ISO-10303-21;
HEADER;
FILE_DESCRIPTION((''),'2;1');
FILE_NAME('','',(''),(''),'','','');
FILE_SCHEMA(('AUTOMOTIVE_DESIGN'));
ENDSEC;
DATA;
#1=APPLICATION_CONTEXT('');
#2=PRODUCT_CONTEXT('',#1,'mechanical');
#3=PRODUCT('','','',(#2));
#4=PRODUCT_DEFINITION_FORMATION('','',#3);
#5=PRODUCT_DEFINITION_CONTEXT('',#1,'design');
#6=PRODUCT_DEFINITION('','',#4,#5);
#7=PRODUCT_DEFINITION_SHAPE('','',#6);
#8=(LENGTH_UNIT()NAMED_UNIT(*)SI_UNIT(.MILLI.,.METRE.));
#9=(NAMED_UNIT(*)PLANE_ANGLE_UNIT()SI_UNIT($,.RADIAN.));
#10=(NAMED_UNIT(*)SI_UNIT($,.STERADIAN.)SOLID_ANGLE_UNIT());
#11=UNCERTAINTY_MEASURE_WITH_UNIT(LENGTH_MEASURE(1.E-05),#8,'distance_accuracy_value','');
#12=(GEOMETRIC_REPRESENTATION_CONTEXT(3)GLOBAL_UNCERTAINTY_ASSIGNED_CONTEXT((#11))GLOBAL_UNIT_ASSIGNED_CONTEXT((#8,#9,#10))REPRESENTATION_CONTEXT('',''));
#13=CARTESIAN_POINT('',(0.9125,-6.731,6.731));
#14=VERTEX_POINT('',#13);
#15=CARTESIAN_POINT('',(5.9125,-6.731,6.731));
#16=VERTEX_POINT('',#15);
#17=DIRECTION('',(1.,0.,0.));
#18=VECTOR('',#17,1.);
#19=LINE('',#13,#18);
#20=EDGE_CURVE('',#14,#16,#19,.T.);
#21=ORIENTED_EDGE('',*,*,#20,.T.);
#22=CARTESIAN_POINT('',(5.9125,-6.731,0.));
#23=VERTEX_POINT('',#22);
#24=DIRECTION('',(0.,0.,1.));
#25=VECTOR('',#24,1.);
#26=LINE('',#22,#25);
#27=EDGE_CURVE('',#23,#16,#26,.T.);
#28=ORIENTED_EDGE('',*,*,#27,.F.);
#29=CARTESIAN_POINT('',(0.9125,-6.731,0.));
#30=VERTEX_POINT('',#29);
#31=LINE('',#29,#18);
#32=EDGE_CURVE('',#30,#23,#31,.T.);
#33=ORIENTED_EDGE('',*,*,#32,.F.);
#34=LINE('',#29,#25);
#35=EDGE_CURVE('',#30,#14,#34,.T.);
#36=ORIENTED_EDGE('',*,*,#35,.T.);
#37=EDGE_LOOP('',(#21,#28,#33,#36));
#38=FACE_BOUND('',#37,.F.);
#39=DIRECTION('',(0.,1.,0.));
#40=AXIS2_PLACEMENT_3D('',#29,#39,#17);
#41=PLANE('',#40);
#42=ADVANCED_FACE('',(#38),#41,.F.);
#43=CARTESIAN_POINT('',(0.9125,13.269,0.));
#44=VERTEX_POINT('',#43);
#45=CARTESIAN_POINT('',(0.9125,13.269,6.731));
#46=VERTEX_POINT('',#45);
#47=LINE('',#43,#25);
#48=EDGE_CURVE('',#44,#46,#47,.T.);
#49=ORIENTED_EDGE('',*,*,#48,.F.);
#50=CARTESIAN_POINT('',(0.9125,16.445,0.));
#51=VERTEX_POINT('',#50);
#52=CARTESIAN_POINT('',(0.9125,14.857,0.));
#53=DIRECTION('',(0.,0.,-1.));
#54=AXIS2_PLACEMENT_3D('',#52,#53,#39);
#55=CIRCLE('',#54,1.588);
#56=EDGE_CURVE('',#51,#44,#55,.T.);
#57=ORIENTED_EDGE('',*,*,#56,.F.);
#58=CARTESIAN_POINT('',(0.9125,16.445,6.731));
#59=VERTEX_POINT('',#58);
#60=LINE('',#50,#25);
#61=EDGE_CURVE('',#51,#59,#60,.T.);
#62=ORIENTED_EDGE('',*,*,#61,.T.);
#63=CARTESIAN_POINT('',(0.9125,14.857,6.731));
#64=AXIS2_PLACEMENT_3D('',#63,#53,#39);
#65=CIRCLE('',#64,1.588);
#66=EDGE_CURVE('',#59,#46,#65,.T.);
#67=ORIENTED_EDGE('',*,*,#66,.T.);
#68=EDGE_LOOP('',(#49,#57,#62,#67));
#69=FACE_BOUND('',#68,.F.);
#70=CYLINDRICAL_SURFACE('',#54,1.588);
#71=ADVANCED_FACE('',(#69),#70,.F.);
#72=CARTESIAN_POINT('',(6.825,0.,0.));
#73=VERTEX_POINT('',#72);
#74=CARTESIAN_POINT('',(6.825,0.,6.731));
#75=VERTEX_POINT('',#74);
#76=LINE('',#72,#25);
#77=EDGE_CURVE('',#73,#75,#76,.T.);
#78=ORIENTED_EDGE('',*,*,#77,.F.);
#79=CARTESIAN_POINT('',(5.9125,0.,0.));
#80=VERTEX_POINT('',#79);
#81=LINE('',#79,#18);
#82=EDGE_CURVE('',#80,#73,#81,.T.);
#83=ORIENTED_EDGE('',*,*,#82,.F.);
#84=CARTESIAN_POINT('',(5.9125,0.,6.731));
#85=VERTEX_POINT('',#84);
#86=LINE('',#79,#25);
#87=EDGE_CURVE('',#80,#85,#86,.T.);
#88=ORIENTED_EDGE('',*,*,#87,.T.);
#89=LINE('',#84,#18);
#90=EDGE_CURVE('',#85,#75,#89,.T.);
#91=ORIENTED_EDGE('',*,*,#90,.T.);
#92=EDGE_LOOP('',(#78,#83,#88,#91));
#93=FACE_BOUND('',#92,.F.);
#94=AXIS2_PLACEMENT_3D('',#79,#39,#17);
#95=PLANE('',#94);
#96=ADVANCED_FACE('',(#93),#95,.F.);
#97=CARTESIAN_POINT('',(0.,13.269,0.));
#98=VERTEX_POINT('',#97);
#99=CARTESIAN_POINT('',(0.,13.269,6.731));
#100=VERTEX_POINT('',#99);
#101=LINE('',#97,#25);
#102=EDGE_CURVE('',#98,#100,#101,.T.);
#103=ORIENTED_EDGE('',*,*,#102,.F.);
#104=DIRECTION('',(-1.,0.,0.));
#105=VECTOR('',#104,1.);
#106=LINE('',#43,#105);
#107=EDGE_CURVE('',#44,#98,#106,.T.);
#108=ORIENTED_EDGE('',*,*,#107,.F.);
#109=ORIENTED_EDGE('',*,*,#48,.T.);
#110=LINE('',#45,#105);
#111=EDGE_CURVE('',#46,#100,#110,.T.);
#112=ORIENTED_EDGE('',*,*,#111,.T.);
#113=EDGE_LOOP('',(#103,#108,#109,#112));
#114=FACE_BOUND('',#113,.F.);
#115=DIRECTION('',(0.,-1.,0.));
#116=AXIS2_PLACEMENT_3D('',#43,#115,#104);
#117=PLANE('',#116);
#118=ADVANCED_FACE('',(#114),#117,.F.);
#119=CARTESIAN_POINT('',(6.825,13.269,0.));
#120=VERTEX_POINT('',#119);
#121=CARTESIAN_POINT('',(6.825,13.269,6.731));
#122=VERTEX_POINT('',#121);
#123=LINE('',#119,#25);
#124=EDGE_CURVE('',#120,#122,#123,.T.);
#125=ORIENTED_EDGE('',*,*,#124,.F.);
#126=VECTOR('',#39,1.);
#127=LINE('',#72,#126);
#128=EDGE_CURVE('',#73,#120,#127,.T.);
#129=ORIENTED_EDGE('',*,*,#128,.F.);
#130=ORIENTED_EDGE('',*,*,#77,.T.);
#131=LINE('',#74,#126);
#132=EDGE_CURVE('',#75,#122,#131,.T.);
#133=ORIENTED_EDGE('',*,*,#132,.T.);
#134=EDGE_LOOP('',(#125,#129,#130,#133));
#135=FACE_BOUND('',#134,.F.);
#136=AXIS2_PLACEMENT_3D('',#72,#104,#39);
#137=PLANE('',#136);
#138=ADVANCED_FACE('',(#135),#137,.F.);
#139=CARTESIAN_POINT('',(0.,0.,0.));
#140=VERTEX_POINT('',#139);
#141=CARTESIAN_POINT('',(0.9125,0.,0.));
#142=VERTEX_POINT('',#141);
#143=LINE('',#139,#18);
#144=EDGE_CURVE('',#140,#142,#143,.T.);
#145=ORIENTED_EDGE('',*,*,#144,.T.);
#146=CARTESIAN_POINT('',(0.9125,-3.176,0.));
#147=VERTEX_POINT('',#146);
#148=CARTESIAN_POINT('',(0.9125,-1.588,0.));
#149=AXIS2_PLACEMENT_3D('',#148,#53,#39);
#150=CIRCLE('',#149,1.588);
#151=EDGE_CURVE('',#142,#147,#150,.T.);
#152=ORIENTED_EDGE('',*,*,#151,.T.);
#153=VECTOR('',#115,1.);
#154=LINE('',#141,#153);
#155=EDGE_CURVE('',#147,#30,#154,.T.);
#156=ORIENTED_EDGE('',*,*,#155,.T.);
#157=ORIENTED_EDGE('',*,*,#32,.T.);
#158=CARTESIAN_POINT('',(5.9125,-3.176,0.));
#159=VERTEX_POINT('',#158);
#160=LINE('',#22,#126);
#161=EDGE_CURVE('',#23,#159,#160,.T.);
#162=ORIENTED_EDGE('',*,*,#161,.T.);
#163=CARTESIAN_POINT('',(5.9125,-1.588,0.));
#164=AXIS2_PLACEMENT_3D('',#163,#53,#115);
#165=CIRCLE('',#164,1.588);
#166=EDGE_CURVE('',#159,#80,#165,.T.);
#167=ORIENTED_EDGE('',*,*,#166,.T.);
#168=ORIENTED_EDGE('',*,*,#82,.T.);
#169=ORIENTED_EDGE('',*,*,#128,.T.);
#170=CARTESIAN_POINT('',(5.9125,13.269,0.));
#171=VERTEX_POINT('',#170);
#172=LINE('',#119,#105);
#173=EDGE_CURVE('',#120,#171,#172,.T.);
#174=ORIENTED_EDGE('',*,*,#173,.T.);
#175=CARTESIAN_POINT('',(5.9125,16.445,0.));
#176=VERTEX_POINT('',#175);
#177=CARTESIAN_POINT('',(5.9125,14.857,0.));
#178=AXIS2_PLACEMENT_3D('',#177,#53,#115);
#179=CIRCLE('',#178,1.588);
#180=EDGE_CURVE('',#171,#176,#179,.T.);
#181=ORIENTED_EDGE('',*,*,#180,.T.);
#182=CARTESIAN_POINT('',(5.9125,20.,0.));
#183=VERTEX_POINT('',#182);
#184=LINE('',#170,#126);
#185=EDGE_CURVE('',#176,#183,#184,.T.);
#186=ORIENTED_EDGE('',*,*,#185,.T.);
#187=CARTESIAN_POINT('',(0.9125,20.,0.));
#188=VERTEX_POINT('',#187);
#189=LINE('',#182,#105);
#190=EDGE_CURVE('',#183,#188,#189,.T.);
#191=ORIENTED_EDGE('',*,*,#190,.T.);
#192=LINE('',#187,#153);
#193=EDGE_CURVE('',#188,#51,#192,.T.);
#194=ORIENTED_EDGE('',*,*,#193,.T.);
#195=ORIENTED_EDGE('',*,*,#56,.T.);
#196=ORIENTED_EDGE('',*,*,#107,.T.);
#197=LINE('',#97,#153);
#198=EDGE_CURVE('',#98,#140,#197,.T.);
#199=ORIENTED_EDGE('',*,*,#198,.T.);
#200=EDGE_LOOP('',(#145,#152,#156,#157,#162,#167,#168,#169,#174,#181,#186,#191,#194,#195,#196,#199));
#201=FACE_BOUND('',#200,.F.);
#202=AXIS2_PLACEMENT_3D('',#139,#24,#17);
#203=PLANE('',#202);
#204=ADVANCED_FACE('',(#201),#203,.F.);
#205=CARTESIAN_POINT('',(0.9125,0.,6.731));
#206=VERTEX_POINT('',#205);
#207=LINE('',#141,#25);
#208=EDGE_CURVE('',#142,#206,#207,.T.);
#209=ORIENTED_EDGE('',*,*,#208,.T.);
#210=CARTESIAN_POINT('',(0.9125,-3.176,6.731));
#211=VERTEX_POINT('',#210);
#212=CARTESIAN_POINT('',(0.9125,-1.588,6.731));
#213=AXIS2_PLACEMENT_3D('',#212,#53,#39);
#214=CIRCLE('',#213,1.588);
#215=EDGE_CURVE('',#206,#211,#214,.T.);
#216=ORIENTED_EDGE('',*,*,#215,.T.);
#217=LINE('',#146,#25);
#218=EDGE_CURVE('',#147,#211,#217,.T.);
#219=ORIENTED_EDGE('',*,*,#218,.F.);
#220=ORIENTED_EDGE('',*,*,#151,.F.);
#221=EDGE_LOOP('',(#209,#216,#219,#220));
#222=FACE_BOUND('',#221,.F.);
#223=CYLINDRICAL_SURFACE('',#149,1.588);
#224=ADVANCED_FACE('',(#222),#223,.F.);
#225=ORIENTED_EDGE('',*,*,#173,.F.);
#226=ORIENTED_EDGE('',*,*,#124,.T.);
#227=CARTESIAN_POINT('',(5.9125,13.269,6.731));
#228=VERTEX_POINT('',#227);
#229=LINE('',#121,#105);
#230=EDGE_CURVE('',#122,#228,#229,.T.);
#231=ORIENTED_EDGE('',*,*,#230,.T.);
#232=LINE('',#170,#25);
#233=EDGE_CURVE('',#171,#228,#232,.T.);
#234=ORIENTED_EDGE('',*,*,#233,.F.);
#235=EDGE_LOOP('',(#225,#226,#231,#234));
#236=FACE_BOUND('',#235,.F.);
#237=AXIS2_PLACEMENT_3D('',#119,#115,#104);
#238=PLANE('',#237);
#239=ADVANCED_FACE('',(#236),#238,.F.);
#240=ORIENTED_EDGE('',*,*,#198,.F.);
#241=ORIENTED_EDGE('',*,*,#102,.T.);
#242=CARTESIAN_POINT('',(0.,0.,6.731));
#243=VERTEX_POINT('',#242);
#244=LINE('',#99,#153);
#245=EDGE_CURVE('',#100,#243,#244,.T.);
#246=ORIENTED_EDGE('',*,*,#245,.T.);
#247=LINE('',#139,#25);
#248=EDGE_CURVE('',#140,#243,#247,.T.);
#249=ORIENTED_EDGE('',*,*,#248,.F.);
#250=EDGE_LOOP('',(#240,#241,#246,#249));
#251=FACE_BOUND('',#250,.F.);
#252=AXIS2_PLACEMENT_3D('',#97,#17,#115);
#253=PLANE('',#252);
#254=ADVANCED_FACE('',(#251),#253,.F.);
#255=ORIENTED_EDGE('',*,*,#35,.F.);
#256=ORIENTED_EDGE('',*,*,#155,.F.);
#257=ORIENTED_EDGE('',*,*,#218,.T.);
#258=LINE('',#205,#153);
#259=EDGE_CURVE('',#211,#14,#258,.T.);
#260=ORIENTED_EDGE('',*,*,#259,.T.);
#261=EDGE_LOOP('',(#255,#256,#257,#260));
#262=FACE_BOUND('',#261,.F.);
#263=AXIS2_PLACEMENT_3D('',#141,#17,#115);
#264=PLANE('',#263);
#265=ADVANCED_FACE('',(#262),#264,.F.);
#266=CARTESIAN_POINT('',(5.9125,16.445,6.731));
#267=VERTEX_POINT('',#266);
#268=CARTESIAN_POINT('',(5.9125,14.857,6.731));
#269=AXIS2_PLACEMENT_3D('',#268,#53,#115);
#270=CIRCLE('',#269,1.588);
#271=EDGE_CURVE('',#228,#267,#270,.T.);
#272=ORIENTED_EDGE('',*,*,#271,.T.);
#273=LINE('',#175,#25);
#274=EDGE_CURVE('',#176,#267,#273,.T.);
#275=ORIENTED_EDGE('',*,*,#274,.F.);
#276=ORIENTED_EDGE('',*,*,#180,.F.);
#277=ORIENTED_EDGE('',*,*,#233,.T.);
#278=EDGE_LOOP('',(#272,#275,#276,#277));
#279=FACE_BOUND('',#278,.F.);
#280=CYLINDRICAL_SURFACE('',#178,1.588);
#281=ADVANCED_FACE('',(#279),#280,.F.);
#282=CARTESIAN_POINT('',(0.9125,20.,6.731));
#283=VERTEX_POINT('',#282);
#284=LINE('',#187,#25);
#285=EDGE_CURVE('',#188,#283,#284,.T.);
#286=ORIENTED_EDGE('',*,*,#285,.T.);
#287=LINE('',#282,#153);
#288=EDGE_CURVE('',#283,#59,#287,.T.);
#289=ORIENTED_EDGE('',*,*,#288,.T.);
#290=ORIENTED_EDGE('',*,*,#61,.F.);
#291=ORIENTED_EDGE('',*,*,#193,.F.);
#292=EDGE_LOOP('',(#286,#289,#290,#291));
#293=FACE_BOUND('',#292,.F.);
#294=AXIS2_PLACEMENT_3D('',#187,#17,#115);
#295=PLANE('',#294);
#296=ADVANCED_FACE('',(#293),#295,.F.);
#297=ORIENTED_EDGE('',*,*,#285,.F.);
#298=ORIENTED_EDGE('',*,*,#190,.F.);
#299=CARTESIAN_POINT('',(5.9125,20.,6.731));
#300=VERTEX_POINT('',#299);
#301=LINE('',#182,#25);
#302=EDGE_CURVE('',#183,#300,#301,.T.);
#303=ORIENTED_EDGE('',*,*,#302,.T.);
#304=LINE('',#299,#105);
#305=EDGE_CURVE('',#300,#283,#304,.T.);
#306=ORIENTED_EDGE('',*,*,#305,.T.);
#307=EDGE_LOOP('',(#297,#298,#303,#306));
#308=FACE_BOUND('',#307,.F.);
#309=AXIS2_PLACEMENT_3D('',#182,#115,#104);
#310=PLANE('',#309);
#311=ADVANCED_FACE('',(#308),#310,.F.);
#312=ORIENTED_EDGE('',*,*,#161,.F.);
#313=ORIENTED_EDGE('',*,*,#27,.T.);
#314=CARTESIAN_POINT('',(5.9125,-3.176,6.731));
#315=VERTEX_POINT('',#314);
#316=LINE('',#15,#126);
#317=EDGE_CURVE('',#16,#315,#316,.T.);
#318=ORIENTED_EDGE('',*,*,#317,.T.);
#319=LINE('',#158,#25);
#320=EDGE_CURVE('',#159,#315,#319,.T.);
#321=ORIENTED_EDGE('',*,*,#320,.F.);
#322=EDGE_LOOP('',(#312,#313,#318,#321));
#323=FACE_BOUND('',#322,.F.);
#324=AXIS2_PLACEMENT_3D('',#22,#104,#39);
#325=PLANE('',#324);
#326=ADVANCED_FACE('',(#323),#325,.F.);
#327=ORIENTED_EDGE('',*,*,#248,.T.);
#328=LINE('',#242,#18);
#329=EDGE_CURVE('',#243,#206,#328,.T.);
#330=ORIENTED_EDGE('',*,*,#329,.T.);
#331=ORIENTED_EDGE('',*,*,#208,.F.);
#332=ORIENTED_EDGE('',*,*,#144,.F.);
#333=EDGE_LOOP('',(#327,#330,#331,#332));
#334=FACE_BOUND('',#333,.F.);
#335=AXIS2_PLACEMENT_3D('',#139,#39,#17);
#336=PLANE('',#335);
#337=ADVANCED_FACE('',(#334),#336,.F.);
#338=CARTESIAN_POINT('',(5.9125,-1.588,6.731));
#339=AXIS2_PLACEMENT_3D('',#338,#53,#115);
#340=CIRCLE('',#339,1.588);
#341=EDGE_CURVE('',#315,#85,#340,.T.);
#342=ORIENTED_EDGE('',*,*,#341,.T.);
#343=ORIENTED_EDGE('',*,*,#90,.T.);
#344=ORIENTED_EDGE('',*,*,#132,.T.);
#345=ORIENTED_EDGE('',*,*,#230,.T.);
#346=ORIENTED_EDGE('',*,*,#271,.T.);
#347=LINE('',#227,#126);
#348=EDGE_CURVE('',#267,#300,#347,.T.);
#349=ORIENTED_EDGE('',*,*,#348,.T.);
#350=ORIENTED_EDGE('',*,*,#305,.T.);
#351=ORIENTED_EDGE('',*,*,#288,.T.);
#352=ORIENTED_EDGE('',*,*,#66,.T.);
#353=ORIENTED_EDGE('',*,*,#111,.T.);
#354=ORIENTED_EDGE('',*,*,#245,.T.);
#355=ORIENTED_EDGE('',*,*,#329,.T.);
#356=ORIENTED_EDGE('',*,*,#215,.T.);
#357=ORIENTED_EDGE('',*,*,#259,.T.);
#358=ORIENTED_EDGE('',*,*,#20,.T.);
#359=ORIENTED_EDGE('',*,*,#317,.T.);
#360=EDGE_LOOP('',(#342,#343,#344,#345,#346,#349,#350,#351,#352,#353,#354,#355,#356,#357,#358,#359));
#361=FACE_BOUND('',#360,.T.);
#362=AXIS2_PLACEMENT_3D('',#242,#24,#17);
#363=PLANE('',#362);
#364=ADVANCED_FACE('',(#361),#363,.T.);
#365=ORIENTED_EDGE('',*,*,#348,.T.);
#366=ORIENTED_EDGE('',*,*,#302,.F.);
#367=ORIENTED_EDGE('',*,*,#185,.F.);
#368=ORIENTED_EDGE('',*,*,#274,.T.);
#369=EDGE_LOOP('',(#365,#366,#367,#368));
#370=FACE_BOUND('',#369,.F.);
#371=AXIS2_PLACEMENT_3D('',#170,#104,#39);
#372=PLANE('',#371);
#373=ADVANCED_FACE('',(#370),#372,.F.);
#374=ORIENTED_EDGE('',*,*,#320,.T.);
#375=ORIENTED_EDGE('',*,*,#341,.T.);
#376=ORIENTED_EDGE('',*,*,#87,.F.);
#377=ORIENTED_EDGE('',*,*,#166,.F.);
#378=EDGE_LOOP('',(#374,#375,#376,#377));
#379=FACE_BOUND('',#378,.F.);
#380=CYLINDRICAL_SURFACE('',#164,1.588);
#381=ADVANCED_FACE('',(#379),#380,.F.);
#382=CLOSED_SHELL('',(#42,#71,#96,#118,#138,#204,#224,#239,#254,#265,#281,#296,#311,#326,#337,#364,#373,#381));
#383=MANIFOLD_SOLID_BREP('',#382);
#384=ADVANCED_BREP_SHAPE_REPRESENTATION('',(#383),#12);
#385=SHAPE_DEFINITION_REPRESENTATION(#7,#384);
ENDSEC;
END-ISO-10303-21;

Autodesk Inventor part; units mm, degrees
ref_plane "YZ Plane" through (0, 0, 0) normal (1, 0, 0) x (0, 1, 0)
ref_plane "XZ Plane" through (0, 0, 0) normal (0, 1, 0) x (-1, 0, 0)
ref_plane "XY Plane" through (0, 0, 0) normal (0, 0, 1) x (1, 0, 0)
sketch "Sketch1" plane through (0, 0, 0) normal (0, 0, 1) x (1, 0, 0)
  line L0 (0, 0) -> (0.9125, 0)
  line L1 (0.9125, 0) -> (0.9125, -6.731)
  line L2 (0.9125, -6.731) -> (5.9125, -6.731)
  line L3 (5.9125, -6.731) -> (5.9125, 0)
  line L4 (5.9125, 0) -> (6.825, 0)
  line L5 (6.825, 0) -> (6.825, 13.269)
  line L6 (6.825, 13.269) -> (5.9125, 13.269)
  line L7 (5.9125, 13.269) -> (5.9125, 20)
  line L8 (5.9125, 20) -> (0.9125, 20)
  line L9 (0.9125, 20) -> (0.9125, 13.269)
  line L10 (0.9125, 13.269) -> (0, 13.269)
  line L11 (0, 13.269) -> (0, 0)
  dimension "d0" = 5
  dimension "d1" = 13.269
  dimension "d2" = 6.731
  dimension "d3" = 6.825
extrude "Extrusion1" add sketch "Sketch1" along normal blind 6.731
sketch "Sketch3" plane through (0, 0, 0) normal (0, 0, -1) x (-1, 0, 0)
  line L0 (0, 0) -> (-0.9125, 0) projected
  line L1 (-0.9125, 13.269) -> (0, 13.269) projected
  line L2 (-0.9125, 20) -> (-0.9125, 13.269) projected
  line L3 (-5.9125, 13.269) -> (-5.9125, 20) projected
  line L4 (-6.825, 13.269) -> (-5.9125, 13.269) projected
  line L5 (-5.9125, 0) -> (-6.825, 0) projected
  line L6 (-5.9125, -6.731) -> (-5.9125, 0) projected
  line L7 (-0.9125, 0) -> (-0.9125, -6.731) projected
  arc A0 (-0.9125, 0) -> (-0.9125, -3.176) centre (-0.9125, -1.588) ccw
  arc A1 (-5.9125, -3.176) -> (-5.9125, 0) centre (-5.9125, -1.588) ccw
  arc A2 (-5.9125, 13.269) -> (-5.9125, 16.445) centre (-5.9125, 14.857) ccw
  arc A3 (-0.9125, 16.445) -> (-0.9125, 13.269) centre (-0.9125, 14.857) ccw
  dimension "d13" = 1.588
extrude "Extrusion3" cut sketch "Sketch3" against normal up to next
equation "\"d2\" = THICKB"
equation "\"d4\" = THICKB"
equation "\"THICKA\" = 3.175"
equation "\"THICKB\" = 6.731"
equation "\"THICKC\" = 12.7"
equation "\"THICKPLY\" = 5"
equation "\"MAGDIA\" = 9.5"
equation "\"BALLDIA\" = 12"
properties part number "Carriage_Joint_Boltblock_Brace"
